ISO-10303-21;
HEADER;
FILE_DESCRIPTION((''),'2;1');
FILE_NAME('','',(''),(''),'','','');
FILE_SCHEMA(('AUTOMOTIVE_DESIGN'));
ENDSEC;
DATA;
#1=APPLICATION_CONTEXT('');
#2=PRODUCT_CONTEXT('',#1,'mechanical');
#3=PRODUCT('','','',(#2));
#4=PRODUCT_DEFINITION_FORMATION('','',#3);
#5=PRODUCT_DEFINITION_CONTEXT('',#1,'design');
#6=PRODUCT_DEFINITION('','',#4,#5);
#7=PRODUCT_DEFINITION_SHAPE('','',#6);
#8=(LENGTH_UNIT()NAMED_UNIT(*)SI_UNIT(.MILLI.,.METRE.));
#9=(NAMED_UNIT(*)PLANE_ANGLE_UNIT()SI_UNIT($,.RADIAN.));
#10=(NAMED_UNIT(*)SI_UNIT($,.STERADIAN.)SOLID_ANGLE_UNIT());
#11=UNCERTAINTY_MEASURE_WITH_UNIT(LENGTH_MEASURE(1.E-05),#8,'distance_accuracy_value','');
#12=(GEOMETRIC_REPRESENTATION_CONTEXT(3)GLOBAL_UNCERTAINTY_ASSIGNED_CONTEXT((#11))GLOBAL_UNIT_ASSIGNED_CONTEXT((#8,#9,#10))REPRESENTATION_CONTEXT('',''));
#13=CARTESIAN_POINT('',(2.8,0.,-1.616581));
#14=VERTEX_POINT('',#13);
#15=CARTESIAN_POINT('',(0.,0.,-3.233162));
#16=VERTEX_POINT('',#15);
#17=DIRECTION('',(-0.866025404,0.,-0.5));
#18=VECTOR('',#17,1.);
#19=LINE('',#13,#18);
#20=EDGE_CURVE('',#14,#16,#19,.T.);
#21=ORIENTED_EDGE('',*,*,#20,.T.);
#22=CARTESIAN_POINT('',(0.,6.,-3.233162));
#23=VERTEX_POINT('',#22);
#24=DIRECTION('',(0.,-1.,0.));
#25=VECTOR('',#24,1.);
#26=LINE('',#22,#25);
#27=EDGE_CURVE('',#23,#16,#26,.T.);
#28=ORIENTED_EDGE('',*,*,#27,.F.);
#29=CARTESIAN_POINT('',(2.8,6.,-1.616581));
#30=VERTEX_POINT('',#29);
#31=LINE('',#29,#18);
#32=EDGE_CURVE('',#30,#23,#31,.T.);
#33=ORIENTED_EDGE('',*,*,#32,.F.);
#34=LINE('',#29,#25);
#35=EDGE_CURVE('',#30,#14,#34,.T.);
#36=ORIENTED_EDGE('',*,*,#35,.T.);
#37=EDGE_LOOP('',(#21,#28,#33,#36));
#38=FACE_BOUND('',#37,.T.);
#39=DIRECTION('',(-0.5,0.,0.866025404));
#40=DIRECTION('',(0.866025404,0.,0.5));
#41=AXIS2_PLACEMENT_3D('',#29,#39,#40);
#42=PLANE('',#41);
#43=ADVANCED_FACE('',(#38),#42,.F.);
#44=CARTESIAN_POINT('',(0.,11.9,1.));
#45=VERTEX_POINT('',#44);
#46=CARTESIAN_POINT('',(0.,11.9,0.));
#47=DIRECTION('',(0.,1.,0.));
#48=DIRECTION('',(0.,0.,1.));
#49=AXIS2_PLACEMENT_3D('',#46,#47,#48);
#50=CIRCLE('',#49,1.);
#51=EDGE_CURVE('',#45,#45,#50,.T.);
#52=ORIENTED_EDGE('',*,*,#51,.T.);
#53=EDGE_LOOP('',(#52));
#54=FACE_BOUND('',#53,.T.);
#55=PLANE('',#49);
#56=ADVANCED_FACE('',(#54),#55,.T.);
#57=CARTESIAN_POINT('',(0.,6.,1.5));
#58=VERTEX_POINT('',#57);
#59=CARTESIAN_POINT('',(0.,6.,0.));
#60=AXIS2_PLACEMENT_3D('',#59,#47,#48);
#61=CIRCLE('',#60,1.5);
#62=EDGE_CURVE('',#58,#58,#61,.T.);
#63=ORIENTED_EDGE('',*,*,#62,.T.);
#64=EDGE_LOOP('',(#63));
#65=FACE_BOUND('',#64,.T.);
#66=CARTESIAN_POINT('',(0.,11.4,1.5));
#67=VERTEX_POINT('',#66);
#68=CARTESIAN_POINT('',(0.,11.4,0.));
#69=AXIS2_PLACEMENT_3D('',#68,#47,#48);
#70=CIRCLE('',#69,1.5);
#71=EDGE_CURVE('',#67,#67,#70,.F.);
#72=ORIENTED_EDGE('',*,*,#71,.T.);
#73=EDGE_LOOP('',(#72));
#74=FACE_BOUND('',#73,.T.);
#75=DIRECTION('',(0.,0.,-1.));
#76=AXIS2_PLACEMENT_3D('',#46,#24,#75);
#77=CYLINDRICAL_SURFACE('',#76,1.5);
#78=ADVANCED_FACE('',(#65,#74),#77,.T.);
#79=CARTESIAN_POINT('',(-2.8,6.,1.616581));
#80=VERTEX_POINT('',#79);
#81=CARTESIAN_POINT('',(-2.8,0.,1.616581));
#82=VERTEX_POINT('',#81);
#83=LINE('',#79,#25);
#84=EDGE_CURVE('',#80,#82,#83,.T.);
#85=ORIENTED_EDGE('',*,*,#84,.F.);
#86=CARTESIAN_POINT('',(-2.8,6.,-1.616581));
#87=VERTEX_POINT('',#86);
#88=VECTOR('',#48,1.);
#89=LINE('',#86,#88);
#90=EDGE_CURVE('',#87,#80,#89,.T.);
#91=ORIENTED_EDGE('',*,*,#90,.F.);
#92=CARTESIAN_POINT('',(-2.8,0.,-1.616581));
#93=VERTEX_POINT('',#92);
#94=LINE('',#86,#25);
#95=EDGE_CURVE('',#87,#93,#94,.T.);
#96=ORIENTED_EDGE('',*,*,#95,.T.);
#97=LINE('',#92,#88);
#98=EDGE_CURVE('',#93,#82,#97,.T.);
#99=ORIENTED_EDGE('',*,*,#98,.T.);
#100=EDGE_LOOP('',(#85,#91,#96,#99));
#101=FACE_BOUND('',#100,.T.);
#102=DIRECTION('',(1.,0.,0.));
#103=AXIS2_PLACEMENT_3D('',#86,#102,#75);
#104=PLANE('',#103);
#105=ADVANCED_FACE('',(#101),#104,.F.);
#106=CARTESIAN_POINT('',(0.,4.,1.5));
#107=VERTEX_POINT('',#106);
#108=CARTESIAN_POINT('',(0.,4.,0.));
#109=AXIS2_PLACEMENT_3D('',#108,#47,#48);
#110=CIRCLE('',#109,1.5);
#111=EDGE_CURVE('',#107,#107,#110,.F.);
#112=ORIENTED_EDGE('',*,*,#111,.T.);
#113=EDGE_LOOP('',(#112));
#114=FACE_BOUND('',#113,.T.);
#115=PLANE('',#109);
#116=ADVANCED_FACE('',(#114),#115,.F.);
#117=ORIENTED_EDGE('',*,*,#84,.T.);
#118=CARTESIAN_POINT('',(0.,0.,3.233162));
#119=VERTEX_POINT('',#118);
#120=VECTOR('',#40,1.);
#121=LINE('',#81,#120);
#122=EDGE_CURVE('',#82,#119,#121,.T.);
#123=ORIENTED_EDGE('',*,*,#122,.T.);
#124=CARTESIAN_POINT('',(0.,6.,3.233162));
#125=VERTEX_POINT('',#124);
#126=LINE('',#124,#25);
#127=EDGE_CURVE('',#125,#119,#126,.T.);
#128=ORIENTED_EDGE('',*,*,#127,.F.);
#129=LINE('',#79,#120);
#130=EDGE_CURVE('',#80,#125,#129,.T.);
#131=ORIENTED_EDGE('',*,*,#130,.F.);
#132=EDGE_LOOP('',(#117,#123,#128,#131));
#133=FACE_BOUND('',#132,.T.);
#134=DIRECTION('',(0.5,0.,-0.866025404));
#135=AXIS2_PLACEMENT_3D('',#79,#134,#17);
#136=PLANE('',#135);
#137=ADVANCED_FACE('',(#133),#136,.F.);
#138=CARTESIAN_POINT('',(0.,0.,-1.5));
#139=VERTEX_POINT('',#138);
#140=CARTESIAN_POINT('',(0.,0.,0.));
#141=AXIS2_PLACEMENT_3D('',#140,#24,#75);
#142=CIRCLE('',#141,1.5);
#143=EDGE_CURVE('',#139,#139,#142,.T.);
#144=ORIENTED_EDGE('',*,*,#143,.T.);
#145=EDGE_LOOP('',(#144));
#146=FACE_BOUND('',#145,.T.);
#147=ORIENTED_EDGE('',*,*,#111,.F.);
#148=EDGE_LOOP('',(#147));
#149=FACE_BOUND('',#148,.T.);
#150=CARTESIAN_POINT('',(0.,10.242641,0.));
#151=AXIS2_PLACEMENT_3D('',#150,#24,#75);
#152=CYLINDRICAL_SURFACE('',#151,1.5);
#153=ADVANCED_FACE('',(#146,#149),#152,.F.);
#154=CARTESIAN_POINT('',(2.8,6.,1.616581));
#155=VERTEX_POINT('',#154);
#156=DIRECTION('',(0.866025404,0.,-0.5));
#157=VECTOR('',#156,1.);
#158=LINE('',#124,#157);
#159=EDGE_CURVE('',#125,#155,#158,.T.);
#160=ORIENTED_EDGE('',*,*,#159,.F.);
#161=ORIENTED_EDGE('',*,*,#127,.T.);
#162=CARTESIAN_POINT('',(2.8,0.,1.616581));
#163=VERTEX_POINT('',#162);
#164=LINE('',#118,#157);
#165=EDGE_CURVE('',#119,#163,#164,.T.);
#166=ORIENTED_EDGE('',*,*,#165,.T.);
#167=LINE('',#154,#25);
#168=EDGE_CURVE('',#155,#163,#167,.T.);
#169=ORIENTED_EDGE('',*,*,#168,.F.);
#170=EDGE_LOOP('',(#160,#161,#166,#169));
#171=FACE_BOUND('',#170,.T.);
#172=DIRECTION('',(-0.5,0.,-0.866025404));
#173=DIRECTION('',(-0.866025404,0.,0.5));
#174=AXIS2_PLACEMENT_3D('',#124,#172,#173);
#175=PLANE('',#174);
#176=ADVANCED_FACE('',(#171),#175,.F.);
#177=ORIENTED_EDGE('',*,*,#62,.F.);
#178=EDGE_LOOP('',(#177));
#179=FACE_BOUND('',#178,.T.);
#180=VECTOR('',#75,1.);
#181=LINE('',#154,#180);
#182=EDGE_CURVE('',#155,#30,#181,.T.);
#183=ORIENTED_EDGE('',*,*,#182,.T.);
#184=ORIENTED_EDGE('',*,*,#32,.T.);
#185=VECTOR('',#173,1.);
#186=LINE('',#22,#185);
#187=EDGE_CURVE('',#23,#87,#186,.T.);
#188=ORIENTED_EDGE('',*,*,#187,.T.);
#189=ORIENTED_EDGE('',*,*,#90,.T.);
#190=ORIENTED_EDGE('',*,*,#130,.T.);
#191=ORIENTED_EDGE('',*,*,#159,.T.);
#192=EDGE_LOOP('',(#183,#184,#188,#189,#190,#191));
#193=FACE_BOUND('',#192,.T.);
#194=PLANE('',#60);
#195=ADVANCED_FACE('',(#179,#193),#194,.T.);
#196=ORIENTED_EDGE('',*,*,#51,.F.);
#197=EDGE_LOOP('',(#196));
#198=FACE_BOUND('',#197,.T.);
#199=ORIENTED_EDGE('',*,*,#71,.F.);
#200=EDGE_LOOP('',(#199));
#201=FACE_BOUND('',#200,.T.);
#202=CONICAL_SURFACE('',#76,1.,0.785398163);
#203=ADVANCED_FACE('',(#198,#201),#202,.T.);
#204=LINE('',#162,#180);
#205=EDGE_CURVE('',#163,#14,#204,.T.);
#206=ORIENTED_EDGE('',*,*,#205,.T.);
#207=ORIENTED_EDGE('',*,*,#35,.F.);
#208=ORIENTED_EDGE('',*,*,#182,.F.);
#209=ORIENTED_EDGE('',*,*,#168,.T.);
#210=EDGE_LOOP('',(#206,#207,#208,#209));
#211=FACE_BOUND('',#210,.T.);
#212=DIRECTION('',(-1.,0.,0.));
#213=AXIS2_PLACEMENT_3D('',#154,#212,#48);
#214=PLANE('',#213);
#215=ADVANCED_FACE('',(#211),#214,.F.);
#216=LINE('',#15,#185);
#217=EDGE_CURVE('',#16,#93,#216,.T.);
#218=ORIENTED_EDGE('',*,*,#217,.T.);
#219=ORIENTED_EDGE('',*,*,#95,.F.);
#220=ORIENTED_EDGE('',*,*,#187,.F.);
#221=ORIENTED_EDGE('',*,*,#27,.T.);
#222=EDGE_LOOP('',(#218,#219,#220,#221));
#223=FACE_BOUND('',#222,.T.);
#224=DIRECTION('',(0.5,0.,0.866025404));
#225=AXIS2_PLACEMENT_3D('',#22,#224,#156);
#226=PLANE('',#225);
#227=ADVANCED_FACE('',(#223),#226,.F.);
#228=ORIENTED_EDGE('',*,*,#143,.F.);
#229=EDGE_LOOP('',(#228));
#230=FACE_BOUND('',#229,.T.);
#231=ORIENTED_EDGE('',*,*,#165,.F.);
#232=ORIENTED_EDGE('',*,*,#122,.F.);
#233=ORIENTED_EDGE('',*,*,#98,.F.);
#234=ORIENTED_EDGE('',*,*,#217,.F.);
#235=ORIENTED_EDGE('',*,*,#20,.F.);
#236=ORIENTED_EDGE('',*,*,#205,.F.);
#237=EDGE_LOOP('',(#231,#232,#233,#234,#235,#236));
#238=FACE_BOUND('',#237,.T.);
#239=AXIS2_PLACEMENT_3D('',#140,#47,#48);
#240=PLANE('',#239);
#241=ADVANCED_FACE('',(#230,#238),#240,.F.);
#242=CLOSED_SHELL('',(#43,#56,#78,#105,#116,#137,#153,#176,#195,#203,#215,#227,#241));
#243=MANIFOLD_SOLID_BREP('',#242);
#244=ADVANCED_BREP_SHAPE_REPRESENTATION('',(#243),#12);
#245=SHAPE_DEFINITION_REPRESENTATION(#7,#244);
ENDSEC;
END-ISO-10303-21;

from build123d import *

# Parameters (mm, degrees)
BOSS_EXTRUDE1_DEPTH = 6
SKETCH2_R           = 1.5
BOSS_EXTRUDE2_DEPTH = 5.9
SKETCH3_R           = 1.5
CUT_EXTRUDE1_DEPTH  = 4
CHAMFER1_SIZE       = 0.5


with BuildPart() as part:
    # Sketch1 → Boss-Extrude1 (new body)
    with BuildSketch(Plane(origin=(0, 0, 0), x_dir=(1, 0, 0), z_dir=(0, 1, 0))):
        Polygon((0, -3.233161507), (2.8, -1.616580754), (2.8, 1.616580754), (0, 3.233161507), (-2.8, 1.616580754), (-2.8, -1.616580754), align=None)
    extrude(amount=BOSS_EXTRUDE1_DEPTH)

    # Sketch2 → Boss-Extrude2 (add)
    with BuildSketch(Plane(origin=(0, 6, 0), x_dir=(1, 0, 0), z_dir=(0, 1, 0))):
        Circle(SKETCH2_R)
    extrude(amount=BOSS_EXTRUDE2_DEPTH)

    # Sketch3 → Cut-Extrude1 (cut)
    with BuildSketch(Plane.XZ):
        Circle(SKETCH3_R)
    extrude(amount=-CUT_EXTRUDE1_DEPTH, mode=Mode.SUBTRACT)

    # Chamfer1
    chamfer1_edges = [part.edges().sort_by_distance(p)[0] for p in [
        (-1.5, 11.9, 0),
    ]]
    chamfer(chamfer1_edges, length=CHAMFER1_SIZE)


solid = part.part
